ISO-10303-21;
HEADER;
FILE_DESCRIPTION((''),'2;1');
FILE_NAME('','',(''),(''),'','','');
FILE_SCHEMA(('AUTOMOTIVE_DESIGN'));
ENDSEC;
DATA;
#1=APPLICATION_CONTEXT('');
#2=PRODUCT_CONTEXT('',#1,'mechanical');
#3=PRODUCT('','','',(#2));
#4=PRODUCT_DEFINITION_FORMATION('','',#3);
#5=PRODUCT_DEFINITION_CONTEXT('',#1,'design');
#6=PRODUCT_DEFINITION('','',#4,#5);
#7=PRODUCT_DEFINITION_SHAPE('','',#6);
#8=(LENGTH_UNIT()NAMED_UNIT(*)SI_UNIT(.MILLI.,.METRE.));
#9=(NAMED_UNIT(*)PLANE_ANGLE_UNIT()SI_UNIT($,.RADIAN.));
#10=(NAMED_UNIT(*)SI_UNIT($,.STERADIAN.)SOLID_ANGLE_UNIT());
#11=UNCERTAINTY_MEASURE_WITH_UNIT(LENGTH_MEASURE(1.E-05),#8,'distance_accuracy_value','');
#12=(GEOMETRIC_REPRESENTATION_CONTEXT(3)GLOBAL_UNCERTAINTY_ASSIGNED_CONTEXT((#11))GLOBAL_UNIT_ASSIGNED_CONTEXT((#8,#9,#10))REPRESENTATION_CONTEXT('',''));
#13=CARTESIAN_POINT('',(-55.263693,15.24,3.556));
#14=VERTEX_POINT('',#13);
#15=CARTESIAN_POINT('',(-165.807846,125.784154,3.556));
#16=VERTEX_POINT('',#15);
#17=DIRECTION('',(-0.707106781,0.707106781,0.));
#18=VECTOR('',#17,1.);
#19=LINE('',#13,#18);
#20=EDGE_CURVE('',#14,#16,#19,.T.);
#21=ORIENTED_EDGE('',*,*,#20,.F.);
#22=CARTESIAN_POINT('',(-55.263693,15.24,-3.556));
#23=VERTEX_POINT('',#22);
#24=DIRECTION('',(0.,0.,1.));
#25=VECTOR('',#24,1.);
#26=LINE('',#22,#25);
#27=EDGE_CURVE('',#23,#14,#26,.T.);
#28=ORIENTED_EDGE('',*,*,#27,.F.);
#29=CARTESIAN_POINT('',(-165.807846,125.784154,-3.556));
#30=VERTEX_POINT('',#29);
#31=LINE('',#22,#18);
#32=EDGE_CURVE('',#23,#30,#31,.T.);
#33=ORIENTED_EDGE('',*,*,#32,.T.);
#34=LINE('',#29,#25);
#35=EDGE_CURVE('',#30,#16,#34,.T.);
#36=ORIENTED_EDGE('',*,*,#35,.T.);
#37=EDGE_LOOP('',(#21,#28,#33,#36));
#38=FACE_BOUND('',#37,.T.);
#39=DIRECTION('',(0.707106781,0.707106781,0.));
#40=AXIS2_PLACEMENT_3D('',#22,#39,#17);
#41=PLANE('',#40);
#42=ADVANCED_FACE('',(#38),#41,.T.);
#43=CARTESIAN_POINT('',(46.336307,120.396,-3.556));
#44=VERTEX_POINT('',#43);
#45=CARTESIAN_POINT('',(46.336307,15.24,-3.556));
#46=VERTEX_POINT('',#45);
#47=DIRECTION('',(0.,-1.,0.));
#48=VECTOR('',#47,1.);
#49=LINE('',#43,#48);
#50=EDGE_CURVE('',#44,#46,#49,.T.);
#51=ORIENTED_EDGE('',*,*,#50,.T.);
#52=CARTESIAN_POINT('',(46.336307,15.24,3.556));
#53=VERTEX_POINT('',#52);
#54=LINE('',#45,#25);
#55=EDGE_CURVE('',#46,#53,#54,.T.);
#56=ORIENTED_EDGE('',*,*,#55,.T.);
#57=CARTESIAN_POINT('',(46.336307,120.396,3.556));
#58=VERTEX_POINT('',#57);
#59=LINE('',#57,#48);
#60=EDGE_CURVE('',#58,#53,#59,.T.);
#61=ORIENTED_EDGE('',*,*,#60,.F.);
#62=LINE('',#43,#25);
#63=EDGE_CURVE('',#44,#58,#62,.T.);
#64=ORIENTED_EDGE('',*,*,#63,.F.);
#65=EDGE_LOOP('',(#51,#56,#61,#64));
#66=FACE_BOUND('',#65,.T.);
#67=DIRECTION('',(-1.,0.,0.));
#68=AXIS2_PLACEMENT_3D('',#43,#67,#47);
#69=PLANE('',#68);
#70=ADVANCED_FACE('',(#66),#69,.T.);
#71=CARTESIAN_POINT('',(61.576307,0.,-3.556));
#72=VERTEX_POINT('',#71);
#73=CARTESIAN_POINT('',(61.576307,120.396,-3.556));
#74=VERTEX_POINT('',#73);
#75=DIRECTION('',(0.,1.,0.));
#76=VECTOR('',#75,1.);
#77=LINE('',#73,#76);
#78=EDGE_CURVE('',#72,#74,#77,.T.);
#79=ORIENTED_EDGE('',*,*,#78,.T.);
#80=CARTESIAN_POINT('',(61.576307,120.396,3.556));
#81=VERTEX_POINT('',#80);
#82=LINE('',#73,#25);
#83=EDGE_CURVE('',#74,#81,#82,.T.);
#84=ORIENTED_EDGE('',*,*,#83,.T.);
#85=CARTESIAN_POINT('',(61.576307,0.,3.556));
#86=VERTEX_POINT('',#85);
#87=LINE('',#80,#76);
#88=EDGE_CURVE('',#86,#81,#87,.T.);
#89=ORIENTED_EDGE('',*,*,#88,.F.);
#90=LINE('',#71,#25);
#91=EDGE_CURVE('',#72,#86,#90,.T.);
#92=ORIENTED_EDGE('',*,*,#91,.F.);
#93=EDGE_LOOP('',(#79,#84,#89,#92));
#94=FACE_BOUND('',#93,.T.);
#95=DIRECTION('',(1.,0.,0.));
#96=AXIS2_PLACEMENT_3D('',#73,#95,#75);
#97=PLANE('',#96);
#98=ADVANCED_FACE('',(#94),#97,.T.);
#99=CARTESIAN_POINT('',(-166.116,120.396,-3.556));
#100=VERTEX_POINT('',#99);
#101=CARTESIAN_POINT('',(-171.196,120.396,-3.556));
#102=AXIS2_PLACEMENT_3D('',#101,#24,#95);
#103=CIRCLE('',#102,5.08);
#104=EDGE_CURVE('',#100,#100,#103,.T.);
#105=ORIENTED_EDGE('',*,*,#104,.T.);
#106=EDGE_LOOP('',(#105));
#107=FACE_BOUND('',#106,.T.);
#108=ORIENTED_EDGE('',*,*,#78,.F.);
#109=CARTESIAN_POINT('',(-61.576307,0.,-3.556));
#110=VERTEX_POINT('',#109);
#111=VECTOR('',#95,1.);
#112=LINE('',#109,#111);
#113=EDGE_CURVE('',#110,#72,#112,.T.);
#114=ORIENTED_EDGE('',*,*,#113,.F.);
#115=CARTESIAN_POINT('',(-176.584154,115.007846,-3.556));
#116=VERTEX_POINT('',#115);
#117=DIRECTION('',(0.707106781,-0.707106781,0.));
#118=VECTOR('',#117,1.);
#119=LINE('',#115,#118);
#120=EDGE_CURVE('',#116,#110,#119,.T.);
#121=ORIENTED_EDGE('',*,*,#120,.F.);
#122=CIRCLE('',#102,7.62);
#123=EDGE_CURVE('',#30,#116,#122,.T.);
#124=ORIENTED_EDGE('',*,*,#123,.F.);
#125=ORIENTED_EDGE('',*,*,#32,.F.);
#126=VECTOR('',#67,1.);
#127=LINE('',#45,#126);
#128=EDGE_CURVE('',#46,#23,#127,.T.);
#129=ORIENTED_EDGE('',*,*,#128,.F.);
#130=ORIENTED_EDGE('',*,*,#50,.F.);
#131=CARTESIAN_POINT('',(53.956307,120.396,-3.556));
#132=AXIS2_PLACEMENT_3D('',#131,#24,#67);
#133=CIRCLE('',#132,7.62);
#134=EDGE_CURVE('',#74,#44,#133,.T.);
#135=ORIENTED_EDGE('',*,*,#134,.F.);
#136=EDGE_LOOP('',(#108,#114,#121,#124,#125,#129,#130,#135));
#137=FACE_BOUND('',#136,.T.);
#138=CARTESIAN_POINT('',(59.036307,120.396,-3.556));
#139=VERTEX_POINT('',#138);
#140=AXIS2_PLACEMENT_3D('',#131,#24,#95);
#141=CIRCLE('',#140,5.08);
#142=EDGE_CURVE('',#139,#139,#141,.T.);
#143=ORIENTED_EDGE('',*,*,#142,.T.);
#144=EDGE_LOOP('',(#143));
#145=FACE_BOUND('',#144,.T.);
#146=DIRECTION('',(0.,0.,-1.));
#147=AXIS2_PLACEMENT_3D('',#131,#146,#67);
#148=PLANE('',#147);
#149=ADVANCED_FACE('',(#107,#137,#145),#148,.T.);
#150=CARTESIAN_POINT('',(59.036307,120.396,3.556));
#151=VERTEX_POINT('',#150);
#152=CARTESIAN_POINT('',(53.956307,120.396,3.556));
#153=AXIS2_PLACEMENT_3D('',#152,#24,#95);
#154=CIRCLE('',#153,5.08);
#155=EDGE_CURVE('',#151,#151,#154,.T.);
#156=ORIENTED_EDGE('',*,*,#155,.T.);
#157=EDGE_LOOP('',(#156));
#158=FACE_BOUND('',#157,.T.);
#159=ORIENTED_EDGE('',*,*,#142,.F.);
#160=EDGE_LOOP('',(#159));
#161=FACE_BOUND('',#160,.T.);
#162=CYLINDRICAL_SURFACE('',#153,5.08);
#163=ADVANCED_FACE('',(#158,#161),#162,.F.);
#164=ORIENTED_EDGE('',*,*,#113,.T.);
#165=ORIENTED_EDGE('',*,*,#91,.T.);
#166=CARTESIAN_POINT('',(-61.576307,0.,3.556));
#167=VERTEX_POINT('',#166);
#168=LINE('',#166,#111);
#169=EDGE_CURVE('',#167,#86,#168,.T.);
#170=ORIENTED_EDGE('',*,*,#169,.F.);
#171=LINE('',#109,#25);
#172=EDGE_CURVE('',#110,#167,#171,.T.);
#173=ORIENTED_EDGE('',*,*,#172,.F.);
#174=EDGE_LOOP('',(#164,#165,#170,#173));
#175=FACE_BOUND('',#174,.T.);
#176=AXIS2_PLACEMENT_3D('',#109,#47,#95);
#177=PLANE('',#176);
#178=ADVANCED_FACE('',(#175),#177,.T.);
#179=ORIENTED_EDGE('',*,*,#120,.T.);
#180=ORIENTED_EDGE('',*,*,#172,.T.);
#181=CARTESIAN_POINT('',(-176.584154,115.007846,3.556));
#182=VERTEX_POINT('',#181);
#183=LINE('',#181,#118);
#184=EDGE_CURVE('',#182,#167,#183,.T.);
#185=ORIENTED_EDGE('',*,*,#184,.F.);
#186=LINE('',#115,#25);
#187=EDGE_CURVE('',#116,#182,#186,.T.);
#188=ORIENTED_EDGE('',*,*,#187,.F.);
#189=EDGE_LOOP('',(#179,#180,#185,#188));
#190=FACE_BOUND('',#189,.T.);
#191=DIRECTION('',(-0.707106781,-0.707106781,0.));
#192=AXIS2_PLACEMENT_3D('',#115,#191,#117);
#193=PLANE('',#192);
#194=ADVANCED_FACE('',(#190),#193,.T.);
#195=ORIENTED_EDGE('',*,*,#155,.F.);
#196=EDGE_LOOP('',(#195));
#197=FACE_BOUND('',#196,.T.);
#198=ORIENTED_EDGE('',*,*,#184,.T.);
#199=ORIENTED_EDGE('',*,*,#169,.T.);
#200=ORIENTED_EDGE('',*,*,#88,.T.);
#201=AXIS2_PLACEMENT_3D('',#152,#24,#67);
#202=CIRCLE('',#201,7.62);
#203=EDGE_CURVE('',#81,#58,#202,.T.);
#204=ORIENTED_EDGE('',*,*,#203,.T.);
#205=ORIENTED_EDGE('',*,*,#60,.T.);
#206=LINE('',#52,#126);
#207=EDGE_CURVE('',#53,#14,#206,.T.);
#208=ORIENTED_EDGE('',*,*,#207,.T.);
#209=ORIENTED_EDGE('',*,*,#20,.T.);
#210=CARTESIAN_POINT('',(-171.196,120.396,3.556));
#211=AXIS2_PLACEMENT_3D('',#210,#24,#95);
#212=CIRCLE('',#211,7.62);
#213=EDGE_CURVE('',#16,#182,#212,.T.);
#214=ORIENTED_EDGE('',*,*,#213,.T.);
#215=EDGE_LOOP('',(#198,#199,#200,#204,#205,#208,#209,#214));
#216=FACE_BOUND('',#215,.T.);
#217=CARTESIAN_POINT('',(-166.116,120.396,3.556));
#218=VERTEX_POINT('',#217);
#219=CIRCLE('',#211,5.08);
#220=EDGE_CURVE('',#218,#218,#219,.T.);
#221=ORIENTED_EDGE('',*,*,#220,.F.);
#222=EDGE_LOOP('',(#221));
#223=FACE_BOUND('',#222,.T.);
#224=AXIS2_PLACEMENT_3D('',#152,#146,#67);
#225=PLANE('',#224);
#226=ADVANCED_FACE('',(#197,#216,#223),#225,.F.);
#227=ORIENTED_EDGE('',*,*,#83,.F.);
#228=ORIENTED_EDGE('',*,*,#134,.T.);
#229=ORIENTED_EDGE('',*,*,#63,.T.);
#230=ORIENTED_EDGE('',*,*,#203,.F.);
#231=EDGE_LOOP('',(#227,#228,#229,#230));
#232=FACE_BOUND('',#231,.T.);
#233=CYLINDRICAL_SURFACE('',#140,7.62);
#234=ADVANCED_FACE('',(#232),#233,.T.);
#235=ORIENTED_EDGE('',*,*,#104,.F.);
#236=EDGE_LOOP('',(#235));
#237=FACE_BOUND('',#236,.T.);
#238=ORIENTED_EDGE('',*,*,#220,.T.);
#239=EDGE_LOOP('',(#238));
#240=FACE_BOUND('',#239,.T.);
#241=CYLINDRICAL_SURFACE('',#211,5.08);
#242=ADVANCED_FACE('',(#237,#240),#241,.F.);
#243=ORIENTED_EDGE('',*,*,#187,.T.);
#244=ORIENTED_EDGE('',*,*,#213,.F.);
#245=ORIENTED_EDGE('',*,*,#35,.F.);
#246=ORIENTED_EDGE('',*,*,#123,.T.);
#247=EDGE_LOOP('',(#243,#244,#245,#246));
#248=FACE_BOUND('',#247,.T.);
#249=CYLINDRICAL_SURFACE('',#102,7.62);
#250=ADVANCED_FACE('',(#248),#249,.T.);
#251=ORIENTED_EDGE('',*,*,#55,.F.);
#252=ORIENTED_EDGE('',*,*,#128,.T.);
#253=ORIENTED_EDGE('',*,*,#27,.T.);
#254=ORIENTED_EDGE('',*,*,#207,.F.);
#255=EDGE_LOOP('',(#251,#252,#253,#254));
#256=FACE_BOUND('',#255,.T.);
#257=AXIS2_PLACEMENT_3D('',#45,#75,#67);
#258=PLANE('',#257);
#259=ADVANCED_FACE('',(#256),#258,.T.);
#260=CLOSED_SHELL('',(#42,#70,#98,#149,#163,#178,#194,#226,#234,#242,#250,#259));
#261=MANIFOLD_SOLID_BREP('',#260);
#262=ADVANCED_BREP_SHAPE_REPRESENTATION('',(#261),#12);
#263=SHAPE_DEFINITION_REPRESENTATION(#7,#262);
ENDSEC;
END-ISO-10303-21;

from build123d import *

# Parameters (mm, degrees)
BOSS_EXTRUDE1_DEPTH        = 3.556
BOSS_EXTRUDE1_DEPTH_BACK   = 3.556
F_3_4_0_4_DIAMETER_HOLE1_D = 10.16


with BuildPart() as part:
    # Sketch1 → Boss-Extrude1 (new, two sides: drawn at the far end of the back side and taken through both)
    with BuildSketch(Plane.XY.offset(-BOSS_EXTRUDE1_DEPTH_BACK)):
        with BuildLine():
            Line((46.336307345, 120.396), (46.336307345, 15.24))
            Line((46.336307345, 15.24), (-55.263692655, 15.24))
            Line((-55.263692655, 15.24), (-165.807846327, 125.784153673))
            ThreePointArc((-165.807846327, 125.784153673), (-176.584153673, 125.784153673), (-176.584153673, 115.007846327))
            Line((-176.584153673, 115.007846327), (-61.576307345, 0))
            Line((-61.576307345, 0), (61.576307345, 0))
            Line((61.576307345, 0), (61.576307345, 120.396))
            ThreePointArc((61.576307345, 120.396), (53.956307345, 128.016), (46.336307345, 120.396))
        make_face()
    extrude(amount=BOSS_EXTRUDE1_DEPTH + BOSS_EXTRUDE1_DEPTH_BACK)

    # 3/4 (0.4) Diameter Hole1 (through all)
    with Locations(Plane.XY.offset(3.556)):
        with Locations((-171.196, 120.396), (53.956307345, 120.396)):
            Hole(F_3_4_0_4_DIAMETER_HOLE1_D / 2)


solid = part.part
